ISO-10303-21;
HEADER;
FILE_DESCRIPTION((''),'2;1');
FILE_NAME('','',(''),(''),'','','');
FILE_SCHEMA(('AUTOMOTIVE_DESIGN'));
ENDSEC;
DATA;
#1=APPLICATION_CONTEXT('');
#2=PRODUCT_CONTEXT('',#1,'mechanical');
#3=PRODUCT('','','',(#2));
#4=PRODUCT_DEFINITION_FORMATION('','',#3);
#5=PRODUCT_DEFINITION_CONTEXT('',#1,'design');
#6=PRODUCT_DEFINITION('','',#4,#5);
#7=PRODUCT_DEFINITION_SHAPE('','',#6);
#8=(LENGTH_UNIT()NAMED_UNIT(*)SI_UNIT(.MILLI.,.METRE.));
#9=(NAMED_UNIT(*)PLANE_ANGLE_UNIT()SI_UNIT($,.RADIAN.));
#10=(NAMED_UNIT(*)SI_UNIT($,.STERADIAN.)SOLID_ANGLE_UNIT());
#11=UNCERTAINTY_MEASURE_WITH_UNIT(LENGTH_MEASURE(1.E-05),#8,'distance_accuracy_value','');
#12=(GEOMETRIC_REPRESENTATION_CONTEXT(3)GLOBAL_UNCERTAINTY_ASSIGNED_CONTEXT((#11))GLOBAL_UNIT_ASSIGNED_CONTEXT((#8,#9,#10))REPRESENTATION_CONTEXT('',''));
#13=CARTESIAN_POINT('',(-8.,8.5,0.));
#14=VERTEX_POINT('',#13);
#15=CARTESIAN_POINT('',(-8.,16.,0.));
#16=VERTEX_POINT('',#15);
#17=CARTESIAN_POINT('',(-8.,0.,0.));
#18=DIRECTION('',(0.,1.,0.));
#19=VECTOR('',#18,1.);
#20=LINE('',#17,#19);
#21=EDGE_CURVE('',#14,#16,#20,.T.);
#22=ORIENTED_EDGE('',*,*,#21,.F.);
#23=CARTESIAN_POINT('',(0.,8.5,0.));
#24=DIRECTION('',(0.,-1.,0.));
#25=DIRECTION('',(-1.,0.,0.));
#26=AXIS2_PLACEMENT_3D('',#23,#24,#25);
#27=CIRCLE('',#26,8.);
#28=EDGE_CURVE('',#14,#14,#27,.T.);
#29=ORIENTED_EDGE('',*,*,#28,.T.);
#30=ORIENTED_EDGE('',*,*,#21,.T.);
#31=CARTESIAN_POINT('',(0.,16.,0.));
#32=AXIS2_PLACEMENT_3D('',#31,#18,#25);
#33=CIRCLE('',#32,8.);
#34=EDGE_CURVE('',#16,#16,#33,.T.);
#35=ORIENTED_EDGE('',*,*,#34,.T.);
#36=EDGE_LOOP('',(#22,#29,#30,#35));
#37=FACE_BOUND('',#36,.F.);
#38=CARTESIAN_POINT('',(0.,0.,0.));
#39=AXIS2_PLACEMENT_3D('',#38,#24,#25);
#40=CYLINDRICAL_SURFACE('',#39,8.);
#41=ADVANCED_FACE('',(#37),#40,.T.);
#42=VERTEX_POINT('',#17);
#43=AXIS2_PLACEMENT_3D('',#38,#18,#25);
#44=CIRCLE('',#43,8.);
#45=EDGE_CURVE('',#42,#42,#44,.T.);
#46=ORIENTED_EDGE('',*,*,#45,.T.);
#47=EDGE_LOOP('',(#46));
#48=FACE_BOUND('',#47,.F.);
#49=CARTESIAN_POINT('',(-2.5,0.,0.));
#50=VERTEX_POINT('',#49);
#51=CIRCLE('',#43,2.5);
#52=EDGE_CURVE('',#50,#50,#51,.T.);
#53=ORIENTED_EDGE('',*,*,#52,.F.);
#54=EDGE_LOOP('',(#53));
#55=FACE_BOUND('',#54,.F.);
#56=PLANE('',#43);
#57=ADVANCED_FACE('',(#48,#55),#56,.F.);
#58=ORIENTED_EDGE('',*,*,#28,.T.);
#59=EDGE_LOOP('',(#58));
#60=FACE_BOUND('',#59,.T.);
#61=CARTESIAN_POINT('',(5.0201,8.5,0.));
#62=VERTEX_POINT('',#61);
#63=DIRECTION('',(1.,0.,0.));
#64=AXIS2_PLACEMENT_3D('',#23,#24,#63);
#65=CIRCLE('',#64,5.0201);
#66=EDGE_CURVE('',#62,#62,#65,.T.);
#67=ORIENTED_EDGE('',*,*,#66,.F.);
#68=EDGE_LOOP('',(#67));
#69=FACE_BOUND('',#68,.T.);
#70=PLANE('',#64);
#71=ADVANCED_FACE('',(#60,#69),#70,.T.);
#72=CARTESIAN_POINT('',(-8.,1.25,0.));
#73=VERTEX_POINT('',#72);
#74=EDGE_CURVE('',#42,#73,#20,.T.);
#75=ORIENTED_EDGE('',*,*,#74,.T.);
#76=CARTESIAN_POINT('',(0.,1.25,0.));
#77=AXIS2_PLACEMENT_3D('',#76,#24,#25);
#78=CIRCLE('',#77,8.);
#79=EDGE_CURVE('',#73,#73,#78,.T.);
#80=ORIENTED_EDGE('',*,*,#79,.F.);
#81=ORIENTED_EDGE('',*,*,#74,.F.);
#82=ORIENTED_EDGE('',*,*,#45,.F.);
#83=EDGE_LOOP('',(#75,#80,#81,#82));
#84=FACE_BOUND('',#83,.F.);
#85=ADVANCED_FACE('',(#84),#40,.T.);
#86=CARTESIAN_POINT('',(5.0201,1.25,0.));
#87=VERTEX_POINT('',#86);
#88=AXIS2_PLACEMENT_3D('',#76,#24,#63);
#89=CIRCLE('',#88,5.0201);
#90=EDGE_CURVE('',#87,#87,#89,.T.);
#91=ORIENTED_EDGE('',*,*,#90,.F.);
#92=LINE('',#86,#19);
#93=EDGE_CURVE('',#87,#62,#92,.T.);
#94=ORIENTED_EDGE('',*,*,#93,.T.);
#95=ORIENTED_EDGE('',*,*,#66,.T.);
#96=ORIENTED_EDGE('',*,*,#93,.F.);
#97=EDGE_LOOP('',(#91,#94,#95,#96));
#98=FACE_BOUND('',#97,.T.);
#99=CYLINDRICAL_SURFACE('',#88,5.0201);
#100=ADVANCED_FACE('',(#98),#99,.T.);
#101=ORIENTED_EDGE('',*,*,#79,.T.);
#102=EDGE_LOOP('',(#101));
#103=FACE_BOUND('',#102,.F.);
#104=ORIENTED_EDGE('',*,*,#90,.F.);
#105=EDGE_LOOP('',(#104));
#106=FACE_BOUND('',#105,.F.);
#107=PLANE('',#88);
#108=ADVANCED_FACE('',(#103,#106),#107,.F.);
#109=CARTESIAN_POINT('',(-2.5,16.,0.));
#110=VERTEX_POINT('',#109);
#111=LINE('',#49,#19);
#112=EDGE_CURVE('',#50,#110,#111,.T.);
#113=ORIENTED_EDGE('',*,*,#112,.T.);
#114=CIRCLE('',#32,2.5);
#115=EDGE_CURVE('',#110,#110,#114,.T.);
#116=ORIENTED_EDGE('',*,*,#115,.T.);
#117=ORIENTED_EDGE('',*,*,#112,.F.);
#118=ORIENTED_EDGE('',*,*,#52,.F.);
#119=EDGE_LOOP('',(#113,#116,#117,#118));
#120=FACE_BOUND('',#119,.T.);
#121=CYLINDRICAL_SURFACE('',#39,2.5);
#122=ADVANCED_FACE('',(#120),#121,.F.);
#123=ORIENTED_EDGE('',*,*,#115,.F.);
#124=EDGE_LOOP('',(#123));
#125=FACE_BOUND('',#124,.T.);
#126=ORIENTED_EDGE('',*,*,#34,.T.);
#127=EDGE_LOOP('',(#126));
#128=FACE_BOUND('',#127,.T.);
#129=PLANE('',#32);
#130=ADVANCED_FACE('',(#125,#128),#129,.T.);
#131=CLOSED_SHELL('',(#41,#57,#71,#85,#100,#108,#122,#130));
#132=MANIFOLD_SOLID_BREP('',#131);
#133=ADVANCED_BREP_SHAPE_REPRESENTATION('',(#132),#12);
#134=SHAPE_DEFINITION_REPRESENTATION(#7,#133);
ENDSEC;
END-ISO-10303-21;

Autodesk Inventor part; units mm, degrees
ref_plane "YZ Plane" through (0, 0, 0) normal (1, 0, 0) x (0, 1, 0)
ref_plane "XZ Plane" through (0, 0, 0) normal (0, 1, 0) x (-1, 0, 0)
sketch "Sketch1" plane through (0, 0, 0) normal (0, 1, 0) x (-1, 0, 0)
  circle A0 centre (0, 0) radius 8
  circle A1 centre (0, 0) radius 2.5
  dimension "d0" = 16
  dimension "d1" = 5
extrude "Extrusion1" add sketch "Sketch1" along normal blind 16
ref_plane "Work Plane1" through (0, 1.25, 0) normal (0, -1, 0) x (1, 0, 0)
sketch "Sketch2" plane through (0, 1.25, 0) normal (0, -1, 0) x (1, 0, 0)
  circle A0 centre (0, 0) radius 8 projected
  circle A1 centre (0, 0) radius 2.5 projected
  circle A2 centre (0, 0) radius 5.0201
  dimension "d5" = 2.9799
extrude "Extrusion2" cut sketch "Sketch2" against normal blind 7.25 contours A0
properties part number "Small GT2 Belt Pully"
